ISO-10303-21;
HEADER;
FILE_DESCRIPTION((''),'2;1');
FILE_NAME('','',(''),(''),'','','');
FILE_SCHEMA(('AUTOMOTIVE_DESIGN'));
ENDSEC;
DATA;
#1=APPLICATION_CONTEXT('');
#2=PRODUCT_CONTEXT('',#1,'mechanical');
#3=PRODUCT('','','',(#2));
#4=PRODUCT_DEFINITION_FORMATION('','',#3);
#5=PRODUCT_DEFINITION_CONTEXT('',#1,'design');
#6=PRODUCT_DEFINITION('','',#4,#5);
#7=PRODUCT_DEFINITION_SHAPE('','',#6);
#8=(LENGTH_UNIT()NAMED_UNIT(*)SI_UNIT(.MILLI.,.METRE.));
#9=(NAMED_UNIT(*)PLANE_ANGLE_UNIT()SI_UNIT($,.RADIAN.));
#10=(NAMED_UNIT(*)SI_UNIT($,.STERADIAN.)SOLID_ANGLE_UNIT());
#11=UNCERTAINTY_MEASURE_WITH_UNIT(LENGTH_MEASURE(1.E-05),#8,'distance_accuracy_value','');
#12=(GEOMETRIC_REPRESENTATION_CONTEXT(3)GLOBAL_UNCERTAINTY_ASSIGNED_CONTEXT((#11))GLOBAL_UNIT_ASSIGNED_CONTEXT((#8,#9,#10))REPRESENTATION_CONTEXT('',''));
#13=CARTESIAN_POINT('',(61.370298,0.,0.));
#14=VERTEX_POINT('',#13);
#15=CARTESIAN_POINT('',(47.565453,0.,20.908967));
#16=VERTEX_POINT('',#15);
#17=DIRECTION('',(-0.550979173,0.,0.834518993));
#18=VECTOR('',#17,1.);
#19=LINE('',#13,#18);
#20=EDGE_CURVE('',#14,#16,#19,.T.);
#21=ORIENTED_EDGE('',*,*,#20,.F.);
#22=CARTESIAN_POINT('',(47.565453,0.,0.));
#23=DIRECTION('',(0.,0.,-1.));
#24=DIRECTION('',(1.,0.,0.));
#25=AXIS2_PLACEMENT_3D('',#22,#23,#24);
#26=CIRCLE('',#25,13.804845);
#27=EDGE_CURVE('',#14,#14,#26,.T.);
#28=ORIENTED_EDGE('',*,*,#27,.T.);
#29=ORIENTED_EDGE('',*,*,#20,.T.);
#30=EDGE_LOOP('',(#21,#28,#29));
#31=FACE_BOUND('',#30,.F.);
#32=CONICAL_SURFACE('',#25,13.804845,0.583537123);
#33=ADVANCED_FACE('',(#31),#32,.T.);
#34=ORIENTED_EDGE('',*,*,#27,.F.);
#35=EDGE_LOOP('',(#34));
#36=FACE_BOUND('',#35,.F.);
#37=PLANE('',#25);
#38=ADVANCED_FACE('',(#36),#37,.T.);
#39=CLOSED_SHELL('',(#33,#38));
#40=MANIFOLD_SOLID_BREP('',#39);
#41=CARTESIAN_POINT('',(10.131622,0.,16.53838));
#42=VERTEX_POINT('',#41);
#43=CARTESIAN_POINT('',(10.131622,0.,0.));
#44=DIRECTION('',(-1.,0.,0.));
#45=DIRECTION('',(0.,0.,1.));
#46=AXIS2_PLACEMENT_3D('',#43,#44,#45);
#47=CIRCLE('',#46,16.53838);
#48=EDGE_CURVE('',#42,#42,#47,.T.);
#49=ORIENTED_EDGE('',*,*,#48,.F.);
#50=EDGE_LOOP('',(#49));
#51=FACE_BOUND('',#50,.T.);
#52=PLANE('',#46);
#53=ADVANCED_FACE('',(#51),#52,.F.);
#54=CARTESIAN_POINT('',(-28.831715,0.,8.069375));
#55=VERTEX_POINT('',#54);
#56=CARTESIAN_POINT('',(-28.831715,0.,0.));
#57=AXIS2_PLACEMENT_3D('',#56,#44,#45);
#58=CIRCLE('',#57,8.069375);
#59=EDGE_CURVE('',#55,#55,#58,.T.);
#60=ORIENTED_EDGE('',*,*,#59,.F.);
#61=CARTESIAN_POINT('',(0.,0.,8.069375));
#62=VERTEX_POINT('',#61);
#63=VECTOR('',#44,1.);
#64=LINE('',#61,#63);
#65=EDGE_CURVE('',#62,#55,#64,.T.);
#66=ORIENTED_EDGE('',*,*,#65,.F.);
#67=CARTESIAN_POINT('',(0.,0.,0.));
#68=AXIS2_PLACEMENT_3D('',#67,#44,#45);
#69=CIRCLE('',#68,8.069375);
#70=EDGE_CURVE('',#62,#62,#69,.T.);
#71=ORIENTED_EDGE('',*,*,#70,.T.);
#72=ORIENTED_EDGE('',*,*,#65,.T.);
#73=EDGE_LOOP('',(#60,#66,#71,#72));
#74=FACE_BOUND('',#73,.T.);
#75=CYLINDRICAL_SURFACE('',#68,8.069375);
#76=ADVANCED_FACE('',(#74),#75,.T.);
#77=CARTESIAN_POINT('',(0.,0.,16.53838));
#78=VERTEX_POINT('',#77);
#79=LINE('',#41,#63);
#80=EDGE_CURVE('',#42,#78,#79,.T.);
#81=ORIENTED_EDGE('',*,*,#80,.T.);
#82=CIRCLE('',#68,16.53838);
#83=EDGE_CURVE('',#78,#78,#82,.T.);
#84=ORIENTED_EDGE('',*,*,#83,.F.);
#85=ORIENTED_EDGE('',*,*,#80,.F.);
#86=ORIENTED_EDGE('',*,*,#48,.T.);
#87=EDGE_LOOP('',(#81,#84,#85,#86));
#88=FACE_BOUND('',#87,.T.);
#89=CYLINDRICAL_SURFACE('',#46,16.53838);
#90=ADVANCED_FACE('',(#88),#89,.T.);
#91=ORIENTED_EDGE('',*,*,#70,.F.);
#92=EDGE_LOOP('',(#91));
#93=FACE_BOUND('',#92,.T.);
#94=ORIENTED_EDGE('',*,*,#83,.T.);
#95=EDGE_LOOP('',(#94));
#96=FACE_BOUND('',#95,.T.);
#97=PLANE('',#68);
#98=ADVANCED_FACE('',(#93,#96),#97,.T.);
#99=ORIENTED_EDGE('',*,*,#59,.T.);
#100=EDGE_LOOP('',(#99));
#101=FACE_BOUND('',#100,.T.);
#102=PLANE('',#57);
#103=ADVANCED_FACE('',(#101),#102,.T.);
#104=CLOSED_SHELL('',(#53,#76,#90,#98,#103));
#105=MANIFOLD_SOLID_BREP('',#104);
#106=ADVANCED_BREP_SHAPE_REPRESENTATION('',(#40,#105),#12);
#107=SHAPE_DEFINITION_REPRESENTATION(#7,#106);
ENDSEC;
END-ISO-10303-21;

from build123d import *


with BuildPart() as f1:
    # F0 (on Front) → F1 (revolve)
    with BuildSketch(Plane.XZ):
        Polygon((-28.831715, 0), (0, 0), (10.131622, 0), (10.131622, 16.53838), (0, 16.53838), (0, 8.069375), (-28.831715, 8.069375), align=None)
    revolve(axis=Axis((5.065811, 0, 0), (-1, 0, 0)))


with BuildPart() as f3:
    # F2 (on Front) → F3 (revolve)
    with BuildSketch(Plane.XZ):
        Polygon((61.370298, 0), (47.565453, 20.908967), (47.565453, 0), align=None)
    revolve(axis=Axis((47.565453, 0, 10.454483), (0, 0, -1)))


solid = Compound([f1.part, f3.part])
